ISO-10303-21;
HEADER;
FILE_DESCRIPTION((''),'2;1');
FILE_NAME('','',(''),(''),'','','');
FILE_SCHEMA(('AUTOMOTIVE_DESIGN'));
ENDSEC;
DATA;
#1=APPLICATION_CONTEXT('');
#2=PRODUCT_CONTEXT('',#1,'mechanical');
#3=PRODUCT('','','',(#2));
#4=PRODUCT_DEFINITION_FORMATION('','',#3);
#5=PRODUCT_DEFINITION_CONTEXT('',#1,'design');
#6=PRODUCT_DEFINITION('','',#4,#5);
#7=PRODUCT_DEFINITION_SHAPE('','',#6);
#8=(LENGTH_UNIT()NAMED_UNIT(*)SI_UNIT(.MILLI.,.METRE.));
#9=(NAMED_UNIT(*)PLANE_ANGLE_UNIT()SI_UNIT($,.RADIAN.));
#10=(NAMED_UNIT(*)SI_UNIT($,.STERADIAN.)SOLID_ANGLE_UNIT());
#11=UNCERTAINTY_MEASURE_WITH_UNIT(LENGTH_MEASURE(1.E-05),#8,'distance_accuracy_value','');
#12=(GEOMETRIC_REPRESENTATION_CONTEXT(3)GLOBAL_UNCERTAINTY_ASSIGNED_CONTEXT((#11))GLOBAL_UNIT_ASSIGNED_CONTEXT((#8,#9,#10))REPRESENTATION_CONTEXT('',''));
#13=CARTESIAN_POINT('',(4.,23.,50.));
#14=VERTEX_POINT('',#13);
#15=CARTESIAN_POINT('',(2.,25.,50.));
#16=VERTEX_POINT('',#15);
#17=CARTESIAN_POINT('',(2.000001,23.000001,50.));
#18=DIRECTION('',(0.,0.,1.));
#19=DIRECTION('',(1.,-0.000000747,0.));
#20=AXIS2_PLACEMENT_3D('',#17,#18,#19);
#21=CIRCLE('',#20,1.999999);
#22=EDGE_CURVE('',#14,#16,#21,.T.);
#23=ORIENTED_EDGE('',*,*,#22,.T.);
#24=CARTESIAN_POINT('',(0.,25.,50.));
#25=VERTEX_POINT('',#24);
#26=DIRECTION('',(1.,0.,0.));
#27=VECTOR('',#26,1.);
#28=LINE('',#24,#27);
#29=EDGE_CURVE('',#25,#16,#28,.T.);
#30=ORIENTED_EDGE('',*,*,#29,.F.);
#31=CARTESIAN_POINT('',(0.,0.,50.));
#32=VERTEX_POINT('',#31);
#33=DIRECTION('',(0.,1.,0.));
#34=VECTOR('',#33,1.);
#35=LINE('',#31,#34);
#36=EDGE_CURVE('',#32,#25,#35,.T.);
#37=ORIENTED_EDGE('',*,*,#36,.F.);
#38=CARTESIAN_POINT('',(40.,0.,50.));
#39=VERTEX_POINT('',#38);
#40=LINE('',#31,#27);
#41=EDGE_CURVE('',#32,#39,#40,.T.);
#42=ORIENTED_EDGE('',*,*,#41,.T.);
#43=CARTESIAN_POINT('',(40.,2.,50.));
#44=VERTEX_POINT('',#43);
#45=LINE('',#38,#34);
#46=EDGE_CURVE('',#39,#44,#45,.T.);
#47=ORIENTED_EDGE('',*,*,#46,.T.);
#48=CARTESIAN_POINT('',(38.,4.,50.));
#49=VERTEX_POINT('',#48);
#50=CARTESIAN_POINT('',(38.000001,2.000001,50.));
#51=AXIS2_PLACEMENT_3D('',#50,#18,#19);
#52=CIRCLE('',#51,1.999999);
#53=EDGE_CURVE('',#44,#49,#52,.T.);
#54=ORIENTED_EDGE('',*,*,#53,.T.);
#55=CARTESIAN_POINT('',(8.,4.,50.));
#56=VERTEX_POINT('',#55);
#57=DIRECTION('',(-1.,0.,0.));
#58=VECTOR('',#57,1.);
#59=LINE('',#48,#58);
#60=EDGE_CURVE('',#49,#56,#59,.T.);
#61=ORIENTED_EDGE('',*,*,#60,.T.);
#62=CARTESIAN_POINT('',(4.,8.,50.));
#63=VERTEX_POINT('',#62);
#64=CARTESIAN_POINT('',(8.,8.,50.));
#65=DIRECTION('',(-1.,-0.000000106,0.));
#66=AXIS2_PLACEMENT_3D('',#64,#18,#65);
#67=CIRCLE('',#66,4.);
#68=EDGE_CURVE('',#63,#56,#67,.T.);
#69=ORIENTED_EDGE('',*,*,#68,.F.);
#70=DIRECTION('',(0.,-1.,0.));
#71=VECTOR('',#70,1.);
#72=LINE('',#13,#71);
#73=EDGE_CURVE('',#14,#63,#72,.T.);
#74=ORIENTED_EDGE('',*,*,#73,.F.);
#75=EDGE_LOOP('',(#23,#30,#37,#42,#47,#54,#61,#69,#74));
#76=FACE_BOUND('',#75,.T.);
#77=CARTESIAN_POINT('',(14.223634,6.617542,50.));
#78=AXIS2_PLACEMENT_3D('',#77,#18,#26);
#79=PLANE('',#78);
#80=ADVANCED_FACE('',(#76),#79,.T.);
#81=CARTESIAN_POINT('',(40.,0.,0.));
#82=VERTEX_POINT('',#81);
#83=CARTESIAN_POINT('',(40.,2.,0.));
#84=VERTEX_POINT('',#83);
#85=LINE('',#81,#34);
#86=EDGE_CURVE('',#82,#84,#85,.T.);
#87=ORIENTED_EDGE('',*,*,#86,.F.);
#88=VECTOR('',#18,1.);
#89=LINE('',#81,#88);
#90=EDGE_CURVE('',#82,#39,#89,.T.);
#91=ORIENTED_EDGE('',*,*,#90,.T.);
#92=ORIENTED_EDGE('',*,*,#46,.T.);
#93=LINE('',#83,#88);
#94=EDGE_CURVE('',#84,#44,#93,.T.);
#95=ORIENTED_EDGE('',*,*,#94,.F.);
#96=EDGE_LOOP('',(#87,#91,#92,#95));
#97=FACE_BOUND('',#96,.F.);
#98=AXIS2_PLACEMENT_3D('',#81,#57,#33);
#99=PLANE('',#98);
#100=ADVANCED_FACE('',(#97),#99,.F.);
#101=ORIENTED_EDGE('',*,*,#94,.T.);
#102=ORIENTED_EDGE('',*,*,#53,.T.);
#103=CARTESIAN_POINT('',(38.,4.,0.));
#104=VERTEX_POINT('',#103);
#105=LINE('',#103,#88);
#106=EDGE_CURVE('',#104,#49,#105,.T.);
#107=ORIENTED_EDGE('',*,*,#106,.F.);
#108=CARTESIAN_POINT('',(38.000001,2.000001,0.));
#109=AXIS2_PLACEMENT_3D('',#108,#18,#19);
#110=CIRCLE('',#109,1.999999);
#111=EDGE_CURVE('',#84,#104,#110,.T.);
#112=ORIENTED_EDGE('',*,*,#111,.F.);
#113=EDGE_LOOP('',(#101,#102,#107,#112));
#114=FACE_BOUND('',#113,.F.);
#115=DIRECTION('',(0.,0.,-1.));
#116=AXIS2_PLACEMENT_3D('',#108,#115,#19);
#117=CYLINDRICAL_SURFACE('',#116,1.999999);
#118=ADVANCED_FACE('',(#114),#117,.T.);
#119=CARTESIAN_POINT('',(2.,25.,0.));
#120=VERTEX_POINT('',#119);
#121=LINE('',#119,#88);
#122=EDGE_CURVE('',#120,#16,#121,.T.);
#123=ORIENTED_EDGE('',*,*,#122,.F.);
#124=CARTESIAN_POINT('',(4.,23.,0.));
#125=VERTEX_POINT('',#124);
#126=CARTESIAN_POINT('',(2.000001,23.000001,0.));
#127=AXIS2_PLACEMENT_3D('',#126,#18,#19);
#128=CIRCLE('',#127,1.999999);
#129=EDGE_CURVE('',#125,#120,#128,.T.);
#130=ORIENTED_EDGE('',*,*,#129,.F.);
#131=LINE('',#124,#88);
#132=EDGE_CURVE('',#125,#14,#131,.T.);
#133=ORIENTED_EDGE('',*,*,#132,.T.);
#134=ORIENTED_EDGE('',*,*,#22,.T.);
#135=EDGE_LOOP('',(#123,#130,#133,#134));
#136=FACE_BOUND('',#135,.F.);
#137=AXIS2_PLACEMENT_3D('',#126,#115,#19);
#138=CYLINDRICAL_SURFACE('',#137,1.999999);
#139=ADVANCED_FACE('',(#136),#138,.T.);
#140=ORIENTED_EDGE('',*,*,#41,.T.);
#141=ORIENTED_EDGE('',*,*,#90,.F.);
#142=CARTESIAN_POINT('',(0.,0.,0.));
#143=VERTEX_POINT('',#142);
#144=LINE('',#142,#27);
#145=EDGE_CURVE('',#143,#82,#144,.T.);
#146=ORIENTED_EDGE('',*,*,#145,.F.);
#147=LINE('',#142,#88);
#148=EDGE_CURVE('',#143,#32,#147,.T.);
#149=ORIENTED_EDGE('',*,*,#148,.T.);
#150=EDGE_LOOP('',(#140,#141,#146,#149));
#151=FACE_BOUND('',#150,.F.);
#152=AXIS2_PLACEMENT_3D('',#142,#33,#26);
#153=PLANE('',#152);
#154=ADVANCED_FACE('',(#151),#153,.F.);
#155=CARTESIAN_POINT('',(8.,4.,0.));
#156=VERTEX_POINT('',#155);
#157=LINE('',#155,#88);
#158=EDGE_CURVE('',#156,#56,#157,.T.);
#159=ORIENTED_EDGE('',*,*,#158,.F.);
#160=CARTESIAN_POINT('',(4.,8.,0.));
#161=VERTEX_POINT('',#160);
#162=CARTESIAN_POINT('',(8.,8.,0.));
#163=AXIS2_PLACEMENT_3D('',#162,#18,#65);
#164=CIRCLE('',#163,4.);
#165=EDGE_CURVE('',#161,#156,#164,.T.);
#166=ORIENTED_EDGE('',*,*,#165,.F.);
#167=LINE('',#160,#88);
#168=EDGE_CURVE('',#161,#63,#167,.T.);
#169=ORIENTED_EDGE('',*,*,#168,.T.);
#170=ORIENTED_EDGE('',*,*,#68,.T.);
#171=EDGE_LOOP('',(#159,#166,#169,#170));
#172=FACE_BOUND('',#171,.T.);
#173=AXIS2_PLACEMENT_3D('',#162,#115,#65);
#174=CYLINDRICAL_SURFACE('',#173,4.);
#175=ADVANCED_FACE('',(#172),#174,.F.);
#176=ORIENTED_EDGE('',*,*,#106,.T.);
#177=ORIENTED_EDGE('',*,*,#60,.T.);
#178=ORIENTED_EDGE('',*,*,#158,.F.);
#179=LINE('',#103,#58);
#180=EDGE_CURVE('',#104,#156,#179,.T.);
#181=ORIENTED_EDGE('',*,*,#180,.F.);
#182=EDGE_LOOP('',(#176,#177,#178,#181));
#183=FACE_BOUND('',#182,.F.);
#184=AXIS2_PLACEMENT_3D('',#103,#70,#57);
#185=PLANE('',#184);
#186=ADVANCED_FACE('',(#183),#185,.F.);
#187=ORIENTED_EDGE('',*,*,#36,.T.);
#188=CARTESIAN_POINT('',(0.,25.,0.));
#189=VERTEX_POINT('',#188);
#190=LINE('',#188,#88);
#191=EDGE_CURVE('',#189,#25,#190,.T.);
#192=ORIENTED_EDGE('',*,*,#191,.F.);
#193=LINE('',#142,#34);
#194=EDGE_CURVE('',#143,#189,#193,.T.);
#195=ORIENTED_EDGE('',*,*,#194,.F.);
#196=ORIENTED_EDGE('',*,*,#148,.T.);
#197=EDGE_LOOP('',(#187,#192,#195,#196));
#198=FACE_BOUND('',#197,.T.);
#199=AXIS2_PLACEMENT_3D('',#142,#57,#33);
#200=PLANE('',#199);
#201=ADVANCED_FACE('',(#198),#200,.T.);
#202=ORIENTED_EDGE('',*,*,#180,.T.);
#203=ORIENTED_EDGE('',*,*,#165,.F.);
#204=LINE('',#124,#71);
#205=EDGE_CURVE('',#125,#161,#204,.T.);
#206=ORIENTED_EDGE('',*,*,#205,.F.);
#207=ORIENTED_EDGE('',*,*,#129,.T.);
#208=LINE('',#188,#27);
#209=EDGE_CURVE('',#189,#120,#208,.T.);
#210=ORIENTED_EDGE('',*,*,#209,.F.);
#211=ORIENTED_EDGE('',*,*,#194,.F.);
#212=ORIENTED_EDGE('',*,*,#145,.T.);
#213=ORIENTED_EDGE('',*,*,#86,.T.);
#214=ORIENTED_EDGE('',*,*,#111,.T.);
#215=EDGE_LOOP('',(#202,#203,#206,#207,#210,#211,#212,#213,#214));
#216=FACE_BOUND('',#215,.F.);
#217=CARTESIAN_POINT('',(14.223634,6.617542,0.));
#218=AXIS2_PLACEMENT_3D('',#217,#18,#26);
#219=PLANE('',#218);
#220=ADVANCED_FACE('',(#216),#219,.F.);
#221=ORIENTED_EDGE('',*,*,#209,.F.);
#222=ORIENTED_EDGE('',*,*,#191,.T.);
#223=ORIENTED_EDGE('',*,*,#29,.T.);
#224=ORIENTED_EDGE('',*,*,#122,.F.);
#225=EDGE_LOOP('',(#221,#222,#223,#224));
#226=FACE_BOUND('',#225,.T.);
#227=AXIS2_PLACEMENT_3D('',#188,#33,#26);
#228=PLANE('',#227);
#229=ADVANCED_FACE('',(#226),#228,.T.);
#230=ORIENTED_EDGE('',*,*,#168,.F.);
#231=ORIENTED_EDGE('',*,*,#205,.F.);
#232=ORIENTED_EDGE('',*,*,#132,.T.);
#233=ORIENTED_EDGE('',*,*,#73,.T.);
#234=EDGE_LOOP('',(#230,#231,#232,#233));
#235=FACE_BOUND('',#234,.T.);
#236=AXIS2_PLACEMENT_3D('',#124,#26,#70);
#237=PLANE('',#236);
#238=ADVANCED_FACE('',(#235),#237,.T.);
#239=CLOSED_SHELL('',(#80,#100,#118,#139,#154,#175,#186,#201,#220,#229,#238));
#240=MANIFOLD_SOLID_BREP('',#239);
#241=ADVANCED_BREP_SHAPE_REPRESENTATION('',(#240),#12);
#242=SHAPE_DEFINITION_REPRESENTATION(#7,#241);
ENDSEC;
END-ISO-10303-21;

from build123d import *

# Parameters (mm, degrees)
EXTRUDE_DEPTH = 50


with BuildPart() as part:
    # Sketch → Extrude (new body)
    with BuildSketch(Plane.XY):
        with BuildLine():
            Line((0, 0), (40, 0))
            Line((40, 0), (40, 2))
            ThreePointArc((40, 2), (39.414214, 3.414214), (38, 4))
            Line((38, 4), (8, 4))
            ThreePointArc((4, 8), (5.171573, 5.171573), (8, 4))
            Line((4, 23), (4, 8))
            ThreePointArc((4, 23), (3.414214, 24.414214), (2, 25))
            Line((0, 25), (2, 25))
            Line((0, 0), (0, 25))
        make_face()
    extrude(amount=EXTRUDE_DEPTH)


solid = part.part
